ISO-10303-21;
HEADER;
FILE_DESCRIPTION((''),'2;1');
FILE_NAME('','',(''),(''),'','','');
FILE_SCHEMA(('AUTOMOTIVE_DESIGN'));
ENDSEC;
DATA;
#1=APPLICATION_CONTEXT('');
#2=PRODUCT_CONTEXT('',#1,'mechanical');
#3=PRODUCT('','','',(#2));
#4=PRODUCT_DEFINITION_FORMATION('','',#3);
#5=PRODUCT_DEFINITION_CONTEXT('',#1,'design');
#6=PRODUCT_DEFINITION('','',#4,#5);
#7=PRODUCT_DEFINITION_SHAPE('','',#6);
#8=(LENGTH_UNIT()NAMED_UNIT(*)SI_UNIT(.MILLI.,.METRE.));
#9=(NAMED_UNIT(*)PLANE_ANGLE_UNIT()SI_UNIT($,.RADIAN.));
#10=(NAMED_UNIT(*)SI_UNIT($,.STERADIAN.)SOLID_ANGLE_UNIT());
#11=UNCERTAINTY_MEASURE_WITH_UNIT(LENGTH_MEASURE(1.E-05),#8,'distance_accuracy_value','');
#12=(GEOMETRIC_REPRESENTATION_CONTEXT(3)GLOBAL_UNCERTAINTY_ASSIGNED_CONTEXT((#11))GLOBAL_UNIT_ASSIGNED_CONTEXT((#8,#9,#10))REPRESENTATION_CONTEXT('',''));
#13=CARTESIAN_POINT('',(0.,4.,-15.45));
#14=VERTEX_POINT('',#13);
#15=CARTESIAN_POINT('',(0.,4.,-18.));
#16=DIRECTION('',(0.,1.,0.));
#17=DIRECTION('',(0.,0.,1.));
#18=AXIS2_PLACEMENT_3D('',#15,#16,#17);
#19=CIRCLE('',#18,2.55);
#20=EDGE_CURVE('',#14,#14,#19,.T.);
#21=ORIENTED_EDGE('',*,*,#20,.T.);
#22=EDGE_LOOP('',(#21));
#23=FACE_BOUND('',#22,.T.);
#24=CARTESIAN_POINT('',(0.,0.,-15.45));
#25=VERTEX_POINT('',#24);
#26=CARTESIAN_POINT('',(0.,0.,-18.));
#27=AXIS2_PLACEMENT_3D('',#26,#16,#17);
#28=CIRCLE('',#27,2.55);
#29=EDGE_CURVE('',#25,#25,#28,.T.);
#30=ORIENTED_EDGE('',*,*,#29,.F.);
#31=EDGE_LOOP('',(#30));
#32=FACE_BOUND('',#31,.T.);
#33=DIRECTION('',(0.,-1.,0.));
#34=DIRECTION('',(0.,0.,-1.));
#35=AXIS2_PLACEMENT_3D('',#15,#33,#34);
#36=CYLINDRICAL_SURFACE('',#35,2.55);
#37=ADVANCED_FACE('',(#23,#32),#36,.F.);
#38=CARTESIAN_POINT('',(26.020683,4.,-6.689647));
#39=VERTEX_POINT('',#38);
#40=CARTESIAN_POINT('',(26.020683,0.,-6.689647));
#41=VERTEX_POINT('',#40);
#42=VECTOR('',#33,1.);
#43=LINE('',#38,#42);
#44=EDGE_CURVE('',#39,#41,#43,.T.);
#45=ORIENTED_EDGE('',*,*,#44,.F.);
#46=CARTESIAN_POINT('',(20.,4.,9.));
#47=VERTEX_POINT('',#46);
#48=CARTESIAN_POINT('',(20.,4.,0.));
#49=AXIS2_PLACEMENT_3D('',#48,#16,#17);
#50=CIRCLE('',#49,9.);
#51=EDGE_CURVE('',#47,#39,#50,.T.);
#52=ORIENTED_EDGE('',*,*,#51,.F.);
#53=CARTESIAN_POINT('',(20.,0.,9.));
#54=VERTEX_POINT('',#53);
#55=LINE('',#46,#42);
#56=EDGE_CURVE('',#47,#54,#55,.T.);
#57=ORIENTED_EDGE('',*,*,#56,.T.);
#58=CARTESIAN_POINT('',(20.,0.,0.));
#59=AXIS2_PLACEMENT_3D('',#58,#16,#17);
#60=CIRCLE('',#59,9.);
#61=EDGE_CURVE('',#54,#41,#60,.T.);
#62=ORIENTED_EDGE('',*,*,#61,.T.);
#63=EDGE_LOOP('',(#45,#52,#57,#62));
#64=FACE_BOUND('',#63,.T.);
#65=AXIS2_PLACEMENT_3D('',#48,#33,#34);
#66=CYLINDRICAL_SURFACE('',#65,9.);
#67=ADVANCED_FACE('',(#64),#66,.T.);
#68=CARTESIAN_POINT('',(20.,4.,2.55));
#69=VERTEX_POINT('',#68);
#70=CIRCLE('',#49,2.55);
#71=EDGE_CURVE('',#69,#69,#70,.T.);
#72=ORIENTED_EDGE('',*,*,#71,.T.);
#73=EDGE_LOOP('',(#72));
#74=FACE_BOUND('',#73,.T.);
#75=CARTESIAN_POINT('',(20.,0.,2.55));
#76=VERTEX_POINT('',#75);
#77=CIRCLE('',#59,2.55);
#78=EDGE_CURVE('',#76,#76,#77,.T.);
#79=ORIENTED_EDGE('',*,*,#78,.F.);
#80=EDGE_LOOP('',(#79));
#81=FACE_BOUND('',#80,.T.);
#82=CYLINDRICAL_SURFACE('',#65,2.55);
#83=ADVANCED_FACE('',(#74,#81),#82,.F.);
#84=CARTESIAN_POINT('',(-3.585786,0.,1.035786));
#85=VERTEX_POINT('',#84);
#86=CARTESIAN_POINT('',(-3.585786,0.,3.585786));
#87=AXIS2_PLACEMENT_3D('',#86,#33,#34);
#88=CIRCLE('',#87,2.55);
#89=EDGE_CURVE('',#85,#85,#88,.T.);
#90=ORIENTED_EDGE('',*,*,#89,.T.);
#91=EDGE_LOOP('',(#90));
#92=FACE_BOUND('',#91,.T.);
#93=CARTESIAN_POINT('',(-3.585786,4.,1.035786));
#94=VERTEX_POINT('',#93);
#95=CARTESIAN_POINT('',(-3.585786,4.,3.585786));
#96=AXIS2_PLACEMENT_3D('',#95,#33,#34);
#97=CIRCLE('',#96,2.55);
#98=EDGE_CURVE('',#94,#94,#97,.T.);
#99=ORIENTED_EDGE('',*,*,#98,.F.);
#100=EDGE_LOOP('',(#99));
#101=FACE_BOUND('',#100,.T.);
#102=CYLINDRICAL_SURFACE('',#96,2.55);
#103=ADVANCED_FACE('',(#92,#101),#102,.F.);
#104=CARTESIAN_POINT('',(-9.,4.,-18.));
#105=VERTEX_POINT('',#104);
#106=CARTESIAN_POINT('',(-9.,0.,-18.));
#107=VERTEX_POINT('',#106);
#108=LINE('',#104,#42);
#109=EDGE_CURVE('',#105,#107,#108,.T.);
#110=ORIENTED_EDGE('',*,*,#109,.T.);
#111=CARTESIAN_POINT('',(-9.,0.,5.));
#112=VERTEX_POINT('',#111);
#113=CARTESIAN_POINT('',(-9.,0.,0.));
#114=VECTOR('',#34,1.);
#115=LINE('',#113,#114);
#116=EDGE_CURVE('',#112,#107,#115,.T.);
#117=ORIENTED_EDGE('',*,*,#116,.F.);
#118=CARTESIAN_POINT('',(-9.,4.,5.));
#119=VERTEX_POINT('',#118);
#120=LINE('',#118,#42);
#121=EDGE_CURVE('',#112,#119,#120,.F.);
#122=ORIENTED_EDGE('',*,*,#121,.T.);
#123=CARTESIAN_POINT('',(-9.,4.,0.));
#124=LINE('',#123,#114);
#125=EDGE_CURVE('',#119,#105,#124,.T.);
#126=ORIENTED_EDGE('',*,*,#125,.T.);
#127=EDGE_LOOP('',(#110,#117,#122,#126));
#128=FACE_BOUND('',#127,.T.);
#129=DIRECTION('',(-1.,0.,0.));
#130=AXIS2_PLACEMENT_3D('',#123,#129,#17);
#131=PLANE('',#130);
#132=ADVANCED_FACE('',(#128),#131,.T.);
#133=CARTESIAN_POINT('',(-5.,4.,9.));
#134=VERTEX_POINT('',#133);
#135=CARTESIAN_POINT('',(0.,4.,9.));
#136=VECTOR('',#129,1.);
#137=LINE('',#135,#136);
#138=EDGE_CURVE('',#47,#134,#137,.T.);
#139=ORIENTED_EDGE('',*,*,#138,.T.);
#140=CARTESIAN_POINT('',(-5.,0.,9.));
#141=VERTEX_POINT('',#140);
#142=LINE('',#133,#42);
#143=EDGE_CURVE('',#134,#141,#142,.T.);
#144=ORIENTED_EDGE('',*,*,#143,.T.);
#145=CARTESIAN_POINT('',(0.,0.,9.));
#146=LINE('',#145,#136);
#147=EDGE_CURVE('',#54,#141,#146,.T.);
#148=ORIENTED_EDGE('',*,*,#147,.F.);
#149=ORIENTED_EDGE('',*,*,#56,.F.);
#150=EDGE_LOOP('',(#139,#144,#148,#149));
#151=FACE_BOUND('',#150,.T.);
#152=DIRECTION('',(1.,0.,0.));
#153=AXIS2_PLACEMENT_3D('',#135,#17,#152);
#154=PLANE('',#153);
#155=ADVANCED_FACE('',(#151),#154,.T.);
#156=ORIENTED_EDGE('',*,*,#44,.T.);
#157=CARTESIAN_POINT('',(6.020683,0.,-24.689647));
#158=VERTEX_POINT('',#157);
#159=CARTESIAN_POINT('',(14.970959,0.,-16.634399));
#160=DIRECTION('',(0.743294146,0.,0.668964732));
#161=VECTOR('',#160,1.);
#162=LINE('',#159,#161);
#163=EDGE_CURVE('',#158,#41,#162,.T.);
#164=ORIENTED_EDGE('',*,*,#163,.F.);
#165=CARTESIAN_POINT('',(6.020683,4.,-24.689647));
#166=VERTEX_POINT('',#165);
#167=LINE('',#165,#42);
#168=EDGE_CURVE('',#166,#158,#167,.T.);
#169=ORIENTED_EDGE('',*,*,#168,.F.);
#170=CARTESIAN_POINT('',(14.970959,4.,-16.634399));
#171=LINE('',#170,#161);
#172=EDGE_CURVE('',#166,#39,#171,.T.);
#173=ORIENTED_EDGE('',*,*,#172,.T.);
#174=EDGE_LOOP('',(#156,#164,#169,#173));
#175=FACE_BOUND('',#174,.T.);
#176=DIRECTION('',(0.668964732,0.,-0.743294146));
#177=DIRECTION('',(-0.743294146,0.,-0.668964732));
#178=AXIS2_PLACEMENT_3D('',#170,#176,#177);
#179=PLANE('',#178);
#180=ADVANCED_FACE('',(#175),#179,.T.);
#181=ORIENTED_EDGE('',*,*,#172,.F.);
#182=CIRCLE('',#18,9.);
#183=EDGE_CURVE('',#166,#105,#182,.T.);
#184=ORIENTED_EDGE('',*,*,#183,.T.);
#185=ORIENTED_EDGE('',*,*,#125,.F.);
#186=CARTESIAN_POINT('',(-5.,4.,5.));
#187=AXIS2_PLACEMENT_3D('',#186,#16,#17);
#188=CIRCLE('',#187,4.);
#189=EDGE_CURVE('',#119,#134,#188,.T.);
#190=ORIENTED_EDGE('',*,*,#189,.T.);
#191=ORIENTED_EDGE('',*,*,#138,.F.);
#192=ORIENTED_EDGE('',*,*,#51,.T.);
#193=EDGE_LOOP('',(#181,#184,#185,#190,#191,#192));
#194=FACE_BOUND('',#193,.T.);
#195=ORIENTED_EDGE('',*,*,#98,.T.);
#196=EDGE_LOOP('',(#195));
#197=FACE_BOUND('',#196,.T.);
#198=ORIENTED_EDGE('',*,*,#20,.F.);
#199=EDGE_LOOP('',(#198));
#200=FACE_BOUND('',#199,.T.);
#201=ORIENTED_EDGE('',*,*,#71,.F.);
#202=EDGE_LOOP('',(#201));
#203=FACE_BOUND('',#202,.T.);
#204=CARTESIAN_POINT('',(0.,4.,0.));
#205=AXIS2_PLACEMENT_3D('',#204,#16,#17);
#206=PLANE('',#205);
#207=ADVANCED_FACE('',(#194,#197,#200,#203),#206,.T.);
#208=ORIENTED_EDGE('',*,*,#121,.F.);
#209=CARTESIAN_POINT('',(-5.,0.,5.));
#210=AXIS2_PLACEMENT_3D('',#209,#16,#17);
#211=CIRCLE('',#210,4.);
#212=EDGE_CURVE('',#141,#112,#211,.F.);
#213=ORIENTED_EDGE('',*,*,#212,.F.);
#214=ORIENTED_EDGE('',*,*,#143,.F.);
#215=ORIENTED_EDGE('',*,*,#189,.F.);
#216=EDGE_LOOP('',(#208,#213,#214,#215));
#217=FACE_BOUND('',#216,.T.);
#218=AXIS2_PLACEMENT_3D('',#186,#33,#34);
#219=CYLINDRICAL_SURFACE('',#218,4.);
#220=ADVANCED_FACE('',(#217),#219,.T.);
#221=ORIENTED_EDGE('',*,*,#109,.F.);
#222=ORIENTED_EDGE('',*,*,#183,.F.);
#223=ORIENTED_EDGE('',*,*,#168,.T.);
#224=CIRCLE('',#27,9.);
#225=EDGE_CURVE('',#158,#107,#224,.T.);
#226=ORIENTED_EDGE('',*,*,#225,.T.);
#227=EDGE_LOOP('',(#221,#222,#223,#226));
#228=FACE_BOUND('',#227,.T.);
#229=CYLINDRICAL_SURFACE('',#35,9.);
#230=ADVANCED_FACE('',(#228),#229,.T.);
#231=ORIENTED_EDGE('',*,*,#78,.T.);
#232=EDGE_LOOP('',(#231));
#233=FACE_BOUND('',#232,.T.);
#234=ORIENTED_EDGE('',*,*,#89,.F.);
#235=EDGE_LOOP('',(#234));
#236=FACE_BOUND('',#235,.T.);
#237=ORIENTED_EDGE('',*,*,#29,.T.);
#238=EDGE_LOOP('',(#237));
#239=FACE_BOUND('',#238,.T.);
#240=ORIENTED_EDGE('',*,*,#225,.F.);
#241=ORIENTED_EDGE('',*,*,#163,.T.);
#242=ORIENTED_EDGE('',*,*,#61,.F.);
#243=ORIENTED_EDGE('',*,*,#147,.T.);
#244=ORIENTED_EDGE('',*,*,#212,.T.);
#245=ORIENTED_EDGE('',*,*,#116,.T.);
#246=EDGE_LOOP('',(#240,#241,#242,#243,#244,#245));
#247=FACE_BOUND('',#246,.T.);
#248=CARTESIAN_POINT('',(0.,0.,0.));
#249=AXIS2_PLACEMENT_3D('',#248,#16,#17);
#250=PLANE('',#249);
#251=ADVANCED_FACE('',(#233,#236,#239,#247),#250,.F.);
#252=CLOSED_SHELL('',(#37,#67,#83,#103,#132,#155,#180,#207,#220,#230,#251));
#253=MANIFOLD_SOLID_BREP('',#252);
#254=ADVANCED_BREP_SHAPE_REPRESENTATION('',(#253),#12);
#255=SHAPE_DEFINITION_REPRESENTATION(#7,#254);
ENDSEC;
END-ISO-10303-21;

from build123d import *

# Parameters (mm, degrees)
SKETCH1_R           = 2.55
BOSS_EXTRUDE1_DEPTH = 4
FILLET1_R           = 4
CUT_EXTRUDE1_DEPTH  = 4


with BuildPart() as part:
    # Sketch1 → Boss-Extrude1 (new body)
    with BuildSketch(Plane(origin=(0, 0, 0), x_dir=(1, 0, 0), z_dir=(0, 1, 0))):
        with BuildLine():
            Line((-9, 18), (-9, -9))
            Line((-9, -9), (20, -9))
            ThreePointArc((20, -9), (28.402583705, -3.224373905), (26.020682585, 6.689647316))
            Line((26.020682585, 6.689647316), (6.020682585, 24.689647316))
            ThreePointArc((6.020682585, 24.689647316), (-3.661547264, 26.22150057), (-9, 18))
        make_face()
        with Locations(Location((20, 0, 0), (0, 0, 270))):
            Circle(SKETCH1_R, mode=Mode.SUBTRACT)
        with Locations(Location((0, 18, 0), (0, 0, 270))):
            Circle(SKETCH1_R, mode=Mode.SUBTRACT)
    extrude(amount=BOSS_EXTRUDE1_DEPTH)

    # Fillet1
    fillet1_edges = [part.edges().sort_by_distance(p)[0] for p in [
        (-9, 2, 9),
    ]]
    fillet(fillet1_edges, radius=FILLET1_R)

    # Sketch2 → Cut-Extrude1 (cut)
    with BuildSketch(Plane.XZ):
        with BuildLine():
            ThreePointArc((-1.035786438, 3.585786438), (-1.782664146, 5.38890873), (-3.585786438, 6.135786438))
            Line((-3.585786438, 6.135786438), (-3.585786438, 3.585786438))
            Line((-3.585786438, 3.585786438), (-6.135786438, 3.585786438))
            ThreePointArc((-6.135786438, 3.585786438), (-3.585786438, 1.035786438), (-1.035786438, 3.585786438))
        make_face()
        with BuildLine():
            Line((-3.585786438, 3.585786438), (-3.585786438, 6.135786438))
            ThreePointArc((-3.585786438, 6.135786438), (-5.38890873, 5.38890873), (-6.135786438, 3.585786438))
            Line((-6.135786438, 3.585786438), (-3.585786438, 3.585786438))
        make_face()
    extrude(amount=-CUT_EXTRUDE1_DEPTH, mode=Mode.SUBTRACT)


solid = part.part
